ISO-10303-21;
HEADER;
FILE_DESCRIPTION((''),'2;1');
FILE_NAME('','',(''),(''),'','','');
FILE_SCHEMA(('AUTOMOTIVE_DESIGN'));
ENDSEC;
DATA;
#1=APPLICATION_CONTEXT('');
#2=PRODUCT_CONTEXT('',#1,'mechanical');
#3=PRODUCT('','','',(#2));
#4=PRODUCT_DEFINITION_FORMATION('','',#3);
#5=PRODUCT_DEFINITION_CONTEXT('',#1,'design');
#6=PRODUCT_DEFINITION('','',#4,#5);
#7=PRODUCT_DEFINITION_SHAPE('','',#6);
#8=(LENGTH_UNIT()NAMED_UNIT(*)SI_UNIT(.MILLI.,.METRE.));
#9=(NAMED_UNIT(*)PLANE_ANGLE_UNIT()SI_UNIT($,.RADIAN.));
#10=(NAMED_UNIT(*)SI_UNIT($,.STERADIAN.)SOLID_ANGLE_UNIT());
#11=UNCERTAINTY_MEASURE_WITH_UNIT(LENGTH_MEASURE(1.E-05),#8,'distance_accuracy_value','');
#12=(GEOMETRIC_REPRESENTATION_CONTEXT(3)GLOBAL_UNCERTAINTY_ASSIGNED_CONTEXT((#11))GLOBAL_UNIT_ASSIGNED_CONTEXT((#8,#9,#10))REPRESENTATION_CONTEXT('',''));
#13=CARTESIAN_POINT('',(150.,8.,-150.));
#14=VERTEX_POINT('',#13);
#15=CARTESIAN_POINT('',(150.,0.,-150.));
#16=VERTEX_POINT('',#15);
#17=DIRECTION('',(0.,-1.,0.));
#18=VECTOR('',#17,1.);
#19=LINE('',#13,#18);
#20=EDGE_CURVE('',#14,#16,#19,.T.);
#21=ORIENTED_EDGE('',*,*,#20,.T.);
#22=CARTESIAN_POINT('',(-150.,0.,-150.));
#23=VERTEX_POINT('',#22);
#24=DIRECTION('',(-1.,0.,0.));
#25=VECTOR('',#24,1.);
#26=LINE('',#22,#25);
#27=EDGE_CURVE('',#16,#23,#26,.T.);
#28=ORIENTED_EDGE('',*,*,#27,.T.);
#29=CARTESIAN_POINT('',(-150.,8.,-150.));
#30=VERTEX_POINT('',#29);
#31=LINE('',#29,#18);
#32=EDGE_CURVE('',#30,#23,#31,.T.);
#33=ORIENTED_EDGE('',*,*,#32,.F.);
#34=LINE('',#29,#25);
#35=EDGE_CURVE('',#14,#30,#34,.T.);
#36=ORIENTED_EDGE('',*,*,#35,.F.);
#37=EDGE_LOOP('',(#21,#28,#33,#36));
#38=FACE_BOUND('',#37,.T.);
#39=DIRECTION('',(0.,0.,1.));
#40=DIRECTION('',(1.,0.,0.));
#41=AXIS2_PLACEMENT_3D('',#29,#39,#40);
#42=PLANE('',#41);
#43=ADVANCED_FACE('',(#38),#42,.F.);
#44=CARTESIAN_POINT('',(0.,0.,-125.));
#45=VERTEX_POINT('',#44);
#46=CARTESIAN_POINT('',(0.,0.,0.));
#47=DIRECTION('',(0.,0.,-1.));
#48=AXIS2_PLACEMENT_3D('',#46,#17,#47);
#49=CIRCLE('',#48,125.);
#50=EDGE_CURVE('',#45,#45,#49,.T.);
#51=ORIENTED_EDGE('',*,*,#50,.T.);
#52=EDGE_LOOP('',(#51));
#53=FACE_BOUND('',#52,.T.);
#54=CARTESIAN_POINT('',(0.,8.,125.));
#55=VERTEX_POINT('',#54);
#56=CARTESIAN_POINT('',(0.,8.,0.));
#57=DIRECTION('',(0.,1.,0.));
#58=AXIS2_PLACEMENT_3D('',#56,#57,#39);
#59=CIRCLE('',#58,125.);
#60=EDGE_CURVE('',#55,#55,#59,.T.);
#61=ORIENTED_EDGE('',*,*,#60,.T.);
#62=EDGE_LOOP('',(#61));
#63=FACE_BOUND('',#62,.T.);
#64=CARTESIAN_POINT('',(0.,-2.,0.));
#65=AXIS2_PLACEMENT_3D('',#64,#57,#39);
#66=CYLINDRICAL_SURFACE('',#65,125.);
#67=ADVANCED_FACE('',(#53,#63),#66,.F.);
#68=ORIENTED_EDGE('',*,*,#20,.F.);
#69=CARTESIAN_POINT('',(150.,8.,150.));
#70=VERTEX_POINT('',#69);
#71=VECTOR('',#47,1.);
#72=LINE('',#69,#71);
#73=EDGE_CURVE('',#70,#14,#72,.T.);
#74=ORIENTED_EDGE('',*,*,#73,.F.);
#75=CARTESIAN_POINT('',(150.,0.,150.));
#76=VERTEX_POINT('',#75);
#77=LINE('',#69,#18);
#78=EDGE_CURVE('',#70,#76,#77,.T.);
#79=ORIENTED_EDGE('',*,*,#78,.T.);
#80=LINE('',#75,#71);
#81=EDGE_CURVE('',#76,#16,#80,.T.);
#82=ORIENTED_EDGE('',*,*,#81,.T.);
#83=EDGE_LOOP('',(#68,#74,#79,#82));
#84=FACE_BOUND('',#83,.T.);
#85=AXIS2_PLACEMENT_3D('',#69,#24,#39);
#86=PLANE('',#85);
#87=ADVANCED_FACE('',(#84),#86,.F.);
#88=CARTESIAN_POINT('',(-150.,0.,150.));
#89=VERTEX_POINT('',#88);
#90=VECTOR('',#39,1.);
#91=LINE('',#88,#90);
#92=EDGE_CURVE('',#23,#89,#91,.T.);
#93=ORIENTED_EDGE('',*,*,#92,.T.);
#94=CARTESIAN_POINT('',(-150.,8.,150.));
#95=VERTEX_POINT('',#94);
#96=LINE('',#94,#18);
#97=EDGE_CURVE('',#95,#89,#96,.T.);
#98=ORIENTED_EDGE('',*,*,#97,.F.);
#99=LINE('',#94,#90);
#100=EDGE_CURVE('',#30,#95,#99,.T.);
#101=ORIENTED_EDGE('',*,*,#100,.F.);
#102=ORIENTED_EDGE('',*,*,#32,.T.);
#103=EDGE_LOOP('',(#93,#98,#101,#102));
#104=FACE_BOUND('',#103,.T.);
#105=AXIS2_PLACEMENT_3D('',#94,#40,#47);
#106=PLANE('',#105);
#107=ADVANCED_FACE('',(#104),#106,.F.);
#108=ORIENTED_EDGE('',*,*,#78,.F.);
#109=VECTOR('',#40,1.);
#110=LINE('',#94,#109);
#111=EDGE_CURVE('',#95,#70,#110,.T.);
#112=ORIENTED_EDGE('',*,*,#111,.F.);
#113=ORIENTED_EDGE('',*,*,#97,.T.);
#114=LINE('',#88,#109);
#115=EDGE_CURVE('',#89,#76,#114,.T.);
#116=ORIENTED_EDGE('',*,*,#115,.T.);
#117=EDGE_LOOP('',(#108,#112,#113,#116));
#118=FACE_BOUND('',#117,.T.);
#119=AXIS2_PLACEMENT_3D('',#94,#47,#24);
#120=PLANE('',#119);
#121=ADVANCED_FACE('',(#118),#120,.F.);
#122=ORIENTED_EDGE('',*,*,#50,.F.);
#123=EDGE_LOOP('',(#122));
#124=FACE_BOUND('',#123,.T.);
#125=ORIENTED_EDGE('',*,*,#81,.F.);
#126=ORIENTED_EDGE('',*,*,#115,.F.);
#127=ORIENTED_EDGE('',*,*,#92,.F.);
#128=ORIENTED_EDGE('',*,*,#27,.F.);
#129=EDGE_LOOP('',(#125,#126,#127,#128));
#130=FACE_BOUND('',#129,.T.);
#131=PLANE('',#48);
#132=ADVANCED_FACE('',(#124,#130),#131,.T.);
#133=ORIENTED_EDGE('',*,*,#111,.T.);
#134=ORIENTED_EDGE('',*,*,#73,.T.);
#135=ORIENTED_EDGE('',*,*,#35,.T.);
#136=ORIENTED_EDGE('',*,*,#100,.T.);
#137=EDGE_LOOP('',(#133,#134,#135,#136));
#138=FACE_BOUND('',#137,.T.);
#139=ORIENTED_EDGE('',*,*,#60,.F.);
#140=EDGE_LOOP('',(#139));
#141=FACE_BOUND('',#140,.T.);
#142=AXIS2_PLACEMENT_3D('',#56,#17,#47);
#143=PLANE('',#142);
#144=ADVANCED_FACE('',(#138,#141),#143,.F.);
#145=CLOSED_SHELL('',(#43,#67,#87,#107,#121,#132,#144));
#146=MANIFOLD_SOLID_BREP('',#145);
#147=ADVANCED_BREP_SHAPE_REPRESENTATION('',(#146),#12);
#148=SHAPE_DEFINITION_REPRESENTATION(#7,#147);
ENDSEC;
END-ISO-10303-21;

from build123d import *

# Parameters (mm, degrees)
SKETCH1_W           = 300
SKETCH1_H           = 300
BOSS_EXTRUDE1_DEPTH = 8
SKETCH2_R           = 125
CUT_EXTRUDE1_DEPTH  = 10


with BuildPart() as part:
    # Sketch1 → Boss-Extrude1 (new body)
    with BuildSketch(Plane(origin=(0, 0, 0), x_dir=(1, 0, 0), z_dir=(0, 1, 0))):
        Rectangle(SKETCH1_W, SKETCH1_H)
    extrude(amount=BOSS_EXTRUDE1_DEPTH)

    # Sketch2 → Cut-Extrude1 (cut)
    with BuildSketch(Plane(origin=(0, 8, 0), x_dir=(1, 0, 0), z_dir=(0, 1, 0))):
        with Locations(Location((0, 0, 0), (0, 0, 270))):
            Circle(SKETCH2_R)
    extrude(amount=-CUT_EXTRUDE1_DEPTH, mode=Mode.SUBTRACT)


solid = part.part
